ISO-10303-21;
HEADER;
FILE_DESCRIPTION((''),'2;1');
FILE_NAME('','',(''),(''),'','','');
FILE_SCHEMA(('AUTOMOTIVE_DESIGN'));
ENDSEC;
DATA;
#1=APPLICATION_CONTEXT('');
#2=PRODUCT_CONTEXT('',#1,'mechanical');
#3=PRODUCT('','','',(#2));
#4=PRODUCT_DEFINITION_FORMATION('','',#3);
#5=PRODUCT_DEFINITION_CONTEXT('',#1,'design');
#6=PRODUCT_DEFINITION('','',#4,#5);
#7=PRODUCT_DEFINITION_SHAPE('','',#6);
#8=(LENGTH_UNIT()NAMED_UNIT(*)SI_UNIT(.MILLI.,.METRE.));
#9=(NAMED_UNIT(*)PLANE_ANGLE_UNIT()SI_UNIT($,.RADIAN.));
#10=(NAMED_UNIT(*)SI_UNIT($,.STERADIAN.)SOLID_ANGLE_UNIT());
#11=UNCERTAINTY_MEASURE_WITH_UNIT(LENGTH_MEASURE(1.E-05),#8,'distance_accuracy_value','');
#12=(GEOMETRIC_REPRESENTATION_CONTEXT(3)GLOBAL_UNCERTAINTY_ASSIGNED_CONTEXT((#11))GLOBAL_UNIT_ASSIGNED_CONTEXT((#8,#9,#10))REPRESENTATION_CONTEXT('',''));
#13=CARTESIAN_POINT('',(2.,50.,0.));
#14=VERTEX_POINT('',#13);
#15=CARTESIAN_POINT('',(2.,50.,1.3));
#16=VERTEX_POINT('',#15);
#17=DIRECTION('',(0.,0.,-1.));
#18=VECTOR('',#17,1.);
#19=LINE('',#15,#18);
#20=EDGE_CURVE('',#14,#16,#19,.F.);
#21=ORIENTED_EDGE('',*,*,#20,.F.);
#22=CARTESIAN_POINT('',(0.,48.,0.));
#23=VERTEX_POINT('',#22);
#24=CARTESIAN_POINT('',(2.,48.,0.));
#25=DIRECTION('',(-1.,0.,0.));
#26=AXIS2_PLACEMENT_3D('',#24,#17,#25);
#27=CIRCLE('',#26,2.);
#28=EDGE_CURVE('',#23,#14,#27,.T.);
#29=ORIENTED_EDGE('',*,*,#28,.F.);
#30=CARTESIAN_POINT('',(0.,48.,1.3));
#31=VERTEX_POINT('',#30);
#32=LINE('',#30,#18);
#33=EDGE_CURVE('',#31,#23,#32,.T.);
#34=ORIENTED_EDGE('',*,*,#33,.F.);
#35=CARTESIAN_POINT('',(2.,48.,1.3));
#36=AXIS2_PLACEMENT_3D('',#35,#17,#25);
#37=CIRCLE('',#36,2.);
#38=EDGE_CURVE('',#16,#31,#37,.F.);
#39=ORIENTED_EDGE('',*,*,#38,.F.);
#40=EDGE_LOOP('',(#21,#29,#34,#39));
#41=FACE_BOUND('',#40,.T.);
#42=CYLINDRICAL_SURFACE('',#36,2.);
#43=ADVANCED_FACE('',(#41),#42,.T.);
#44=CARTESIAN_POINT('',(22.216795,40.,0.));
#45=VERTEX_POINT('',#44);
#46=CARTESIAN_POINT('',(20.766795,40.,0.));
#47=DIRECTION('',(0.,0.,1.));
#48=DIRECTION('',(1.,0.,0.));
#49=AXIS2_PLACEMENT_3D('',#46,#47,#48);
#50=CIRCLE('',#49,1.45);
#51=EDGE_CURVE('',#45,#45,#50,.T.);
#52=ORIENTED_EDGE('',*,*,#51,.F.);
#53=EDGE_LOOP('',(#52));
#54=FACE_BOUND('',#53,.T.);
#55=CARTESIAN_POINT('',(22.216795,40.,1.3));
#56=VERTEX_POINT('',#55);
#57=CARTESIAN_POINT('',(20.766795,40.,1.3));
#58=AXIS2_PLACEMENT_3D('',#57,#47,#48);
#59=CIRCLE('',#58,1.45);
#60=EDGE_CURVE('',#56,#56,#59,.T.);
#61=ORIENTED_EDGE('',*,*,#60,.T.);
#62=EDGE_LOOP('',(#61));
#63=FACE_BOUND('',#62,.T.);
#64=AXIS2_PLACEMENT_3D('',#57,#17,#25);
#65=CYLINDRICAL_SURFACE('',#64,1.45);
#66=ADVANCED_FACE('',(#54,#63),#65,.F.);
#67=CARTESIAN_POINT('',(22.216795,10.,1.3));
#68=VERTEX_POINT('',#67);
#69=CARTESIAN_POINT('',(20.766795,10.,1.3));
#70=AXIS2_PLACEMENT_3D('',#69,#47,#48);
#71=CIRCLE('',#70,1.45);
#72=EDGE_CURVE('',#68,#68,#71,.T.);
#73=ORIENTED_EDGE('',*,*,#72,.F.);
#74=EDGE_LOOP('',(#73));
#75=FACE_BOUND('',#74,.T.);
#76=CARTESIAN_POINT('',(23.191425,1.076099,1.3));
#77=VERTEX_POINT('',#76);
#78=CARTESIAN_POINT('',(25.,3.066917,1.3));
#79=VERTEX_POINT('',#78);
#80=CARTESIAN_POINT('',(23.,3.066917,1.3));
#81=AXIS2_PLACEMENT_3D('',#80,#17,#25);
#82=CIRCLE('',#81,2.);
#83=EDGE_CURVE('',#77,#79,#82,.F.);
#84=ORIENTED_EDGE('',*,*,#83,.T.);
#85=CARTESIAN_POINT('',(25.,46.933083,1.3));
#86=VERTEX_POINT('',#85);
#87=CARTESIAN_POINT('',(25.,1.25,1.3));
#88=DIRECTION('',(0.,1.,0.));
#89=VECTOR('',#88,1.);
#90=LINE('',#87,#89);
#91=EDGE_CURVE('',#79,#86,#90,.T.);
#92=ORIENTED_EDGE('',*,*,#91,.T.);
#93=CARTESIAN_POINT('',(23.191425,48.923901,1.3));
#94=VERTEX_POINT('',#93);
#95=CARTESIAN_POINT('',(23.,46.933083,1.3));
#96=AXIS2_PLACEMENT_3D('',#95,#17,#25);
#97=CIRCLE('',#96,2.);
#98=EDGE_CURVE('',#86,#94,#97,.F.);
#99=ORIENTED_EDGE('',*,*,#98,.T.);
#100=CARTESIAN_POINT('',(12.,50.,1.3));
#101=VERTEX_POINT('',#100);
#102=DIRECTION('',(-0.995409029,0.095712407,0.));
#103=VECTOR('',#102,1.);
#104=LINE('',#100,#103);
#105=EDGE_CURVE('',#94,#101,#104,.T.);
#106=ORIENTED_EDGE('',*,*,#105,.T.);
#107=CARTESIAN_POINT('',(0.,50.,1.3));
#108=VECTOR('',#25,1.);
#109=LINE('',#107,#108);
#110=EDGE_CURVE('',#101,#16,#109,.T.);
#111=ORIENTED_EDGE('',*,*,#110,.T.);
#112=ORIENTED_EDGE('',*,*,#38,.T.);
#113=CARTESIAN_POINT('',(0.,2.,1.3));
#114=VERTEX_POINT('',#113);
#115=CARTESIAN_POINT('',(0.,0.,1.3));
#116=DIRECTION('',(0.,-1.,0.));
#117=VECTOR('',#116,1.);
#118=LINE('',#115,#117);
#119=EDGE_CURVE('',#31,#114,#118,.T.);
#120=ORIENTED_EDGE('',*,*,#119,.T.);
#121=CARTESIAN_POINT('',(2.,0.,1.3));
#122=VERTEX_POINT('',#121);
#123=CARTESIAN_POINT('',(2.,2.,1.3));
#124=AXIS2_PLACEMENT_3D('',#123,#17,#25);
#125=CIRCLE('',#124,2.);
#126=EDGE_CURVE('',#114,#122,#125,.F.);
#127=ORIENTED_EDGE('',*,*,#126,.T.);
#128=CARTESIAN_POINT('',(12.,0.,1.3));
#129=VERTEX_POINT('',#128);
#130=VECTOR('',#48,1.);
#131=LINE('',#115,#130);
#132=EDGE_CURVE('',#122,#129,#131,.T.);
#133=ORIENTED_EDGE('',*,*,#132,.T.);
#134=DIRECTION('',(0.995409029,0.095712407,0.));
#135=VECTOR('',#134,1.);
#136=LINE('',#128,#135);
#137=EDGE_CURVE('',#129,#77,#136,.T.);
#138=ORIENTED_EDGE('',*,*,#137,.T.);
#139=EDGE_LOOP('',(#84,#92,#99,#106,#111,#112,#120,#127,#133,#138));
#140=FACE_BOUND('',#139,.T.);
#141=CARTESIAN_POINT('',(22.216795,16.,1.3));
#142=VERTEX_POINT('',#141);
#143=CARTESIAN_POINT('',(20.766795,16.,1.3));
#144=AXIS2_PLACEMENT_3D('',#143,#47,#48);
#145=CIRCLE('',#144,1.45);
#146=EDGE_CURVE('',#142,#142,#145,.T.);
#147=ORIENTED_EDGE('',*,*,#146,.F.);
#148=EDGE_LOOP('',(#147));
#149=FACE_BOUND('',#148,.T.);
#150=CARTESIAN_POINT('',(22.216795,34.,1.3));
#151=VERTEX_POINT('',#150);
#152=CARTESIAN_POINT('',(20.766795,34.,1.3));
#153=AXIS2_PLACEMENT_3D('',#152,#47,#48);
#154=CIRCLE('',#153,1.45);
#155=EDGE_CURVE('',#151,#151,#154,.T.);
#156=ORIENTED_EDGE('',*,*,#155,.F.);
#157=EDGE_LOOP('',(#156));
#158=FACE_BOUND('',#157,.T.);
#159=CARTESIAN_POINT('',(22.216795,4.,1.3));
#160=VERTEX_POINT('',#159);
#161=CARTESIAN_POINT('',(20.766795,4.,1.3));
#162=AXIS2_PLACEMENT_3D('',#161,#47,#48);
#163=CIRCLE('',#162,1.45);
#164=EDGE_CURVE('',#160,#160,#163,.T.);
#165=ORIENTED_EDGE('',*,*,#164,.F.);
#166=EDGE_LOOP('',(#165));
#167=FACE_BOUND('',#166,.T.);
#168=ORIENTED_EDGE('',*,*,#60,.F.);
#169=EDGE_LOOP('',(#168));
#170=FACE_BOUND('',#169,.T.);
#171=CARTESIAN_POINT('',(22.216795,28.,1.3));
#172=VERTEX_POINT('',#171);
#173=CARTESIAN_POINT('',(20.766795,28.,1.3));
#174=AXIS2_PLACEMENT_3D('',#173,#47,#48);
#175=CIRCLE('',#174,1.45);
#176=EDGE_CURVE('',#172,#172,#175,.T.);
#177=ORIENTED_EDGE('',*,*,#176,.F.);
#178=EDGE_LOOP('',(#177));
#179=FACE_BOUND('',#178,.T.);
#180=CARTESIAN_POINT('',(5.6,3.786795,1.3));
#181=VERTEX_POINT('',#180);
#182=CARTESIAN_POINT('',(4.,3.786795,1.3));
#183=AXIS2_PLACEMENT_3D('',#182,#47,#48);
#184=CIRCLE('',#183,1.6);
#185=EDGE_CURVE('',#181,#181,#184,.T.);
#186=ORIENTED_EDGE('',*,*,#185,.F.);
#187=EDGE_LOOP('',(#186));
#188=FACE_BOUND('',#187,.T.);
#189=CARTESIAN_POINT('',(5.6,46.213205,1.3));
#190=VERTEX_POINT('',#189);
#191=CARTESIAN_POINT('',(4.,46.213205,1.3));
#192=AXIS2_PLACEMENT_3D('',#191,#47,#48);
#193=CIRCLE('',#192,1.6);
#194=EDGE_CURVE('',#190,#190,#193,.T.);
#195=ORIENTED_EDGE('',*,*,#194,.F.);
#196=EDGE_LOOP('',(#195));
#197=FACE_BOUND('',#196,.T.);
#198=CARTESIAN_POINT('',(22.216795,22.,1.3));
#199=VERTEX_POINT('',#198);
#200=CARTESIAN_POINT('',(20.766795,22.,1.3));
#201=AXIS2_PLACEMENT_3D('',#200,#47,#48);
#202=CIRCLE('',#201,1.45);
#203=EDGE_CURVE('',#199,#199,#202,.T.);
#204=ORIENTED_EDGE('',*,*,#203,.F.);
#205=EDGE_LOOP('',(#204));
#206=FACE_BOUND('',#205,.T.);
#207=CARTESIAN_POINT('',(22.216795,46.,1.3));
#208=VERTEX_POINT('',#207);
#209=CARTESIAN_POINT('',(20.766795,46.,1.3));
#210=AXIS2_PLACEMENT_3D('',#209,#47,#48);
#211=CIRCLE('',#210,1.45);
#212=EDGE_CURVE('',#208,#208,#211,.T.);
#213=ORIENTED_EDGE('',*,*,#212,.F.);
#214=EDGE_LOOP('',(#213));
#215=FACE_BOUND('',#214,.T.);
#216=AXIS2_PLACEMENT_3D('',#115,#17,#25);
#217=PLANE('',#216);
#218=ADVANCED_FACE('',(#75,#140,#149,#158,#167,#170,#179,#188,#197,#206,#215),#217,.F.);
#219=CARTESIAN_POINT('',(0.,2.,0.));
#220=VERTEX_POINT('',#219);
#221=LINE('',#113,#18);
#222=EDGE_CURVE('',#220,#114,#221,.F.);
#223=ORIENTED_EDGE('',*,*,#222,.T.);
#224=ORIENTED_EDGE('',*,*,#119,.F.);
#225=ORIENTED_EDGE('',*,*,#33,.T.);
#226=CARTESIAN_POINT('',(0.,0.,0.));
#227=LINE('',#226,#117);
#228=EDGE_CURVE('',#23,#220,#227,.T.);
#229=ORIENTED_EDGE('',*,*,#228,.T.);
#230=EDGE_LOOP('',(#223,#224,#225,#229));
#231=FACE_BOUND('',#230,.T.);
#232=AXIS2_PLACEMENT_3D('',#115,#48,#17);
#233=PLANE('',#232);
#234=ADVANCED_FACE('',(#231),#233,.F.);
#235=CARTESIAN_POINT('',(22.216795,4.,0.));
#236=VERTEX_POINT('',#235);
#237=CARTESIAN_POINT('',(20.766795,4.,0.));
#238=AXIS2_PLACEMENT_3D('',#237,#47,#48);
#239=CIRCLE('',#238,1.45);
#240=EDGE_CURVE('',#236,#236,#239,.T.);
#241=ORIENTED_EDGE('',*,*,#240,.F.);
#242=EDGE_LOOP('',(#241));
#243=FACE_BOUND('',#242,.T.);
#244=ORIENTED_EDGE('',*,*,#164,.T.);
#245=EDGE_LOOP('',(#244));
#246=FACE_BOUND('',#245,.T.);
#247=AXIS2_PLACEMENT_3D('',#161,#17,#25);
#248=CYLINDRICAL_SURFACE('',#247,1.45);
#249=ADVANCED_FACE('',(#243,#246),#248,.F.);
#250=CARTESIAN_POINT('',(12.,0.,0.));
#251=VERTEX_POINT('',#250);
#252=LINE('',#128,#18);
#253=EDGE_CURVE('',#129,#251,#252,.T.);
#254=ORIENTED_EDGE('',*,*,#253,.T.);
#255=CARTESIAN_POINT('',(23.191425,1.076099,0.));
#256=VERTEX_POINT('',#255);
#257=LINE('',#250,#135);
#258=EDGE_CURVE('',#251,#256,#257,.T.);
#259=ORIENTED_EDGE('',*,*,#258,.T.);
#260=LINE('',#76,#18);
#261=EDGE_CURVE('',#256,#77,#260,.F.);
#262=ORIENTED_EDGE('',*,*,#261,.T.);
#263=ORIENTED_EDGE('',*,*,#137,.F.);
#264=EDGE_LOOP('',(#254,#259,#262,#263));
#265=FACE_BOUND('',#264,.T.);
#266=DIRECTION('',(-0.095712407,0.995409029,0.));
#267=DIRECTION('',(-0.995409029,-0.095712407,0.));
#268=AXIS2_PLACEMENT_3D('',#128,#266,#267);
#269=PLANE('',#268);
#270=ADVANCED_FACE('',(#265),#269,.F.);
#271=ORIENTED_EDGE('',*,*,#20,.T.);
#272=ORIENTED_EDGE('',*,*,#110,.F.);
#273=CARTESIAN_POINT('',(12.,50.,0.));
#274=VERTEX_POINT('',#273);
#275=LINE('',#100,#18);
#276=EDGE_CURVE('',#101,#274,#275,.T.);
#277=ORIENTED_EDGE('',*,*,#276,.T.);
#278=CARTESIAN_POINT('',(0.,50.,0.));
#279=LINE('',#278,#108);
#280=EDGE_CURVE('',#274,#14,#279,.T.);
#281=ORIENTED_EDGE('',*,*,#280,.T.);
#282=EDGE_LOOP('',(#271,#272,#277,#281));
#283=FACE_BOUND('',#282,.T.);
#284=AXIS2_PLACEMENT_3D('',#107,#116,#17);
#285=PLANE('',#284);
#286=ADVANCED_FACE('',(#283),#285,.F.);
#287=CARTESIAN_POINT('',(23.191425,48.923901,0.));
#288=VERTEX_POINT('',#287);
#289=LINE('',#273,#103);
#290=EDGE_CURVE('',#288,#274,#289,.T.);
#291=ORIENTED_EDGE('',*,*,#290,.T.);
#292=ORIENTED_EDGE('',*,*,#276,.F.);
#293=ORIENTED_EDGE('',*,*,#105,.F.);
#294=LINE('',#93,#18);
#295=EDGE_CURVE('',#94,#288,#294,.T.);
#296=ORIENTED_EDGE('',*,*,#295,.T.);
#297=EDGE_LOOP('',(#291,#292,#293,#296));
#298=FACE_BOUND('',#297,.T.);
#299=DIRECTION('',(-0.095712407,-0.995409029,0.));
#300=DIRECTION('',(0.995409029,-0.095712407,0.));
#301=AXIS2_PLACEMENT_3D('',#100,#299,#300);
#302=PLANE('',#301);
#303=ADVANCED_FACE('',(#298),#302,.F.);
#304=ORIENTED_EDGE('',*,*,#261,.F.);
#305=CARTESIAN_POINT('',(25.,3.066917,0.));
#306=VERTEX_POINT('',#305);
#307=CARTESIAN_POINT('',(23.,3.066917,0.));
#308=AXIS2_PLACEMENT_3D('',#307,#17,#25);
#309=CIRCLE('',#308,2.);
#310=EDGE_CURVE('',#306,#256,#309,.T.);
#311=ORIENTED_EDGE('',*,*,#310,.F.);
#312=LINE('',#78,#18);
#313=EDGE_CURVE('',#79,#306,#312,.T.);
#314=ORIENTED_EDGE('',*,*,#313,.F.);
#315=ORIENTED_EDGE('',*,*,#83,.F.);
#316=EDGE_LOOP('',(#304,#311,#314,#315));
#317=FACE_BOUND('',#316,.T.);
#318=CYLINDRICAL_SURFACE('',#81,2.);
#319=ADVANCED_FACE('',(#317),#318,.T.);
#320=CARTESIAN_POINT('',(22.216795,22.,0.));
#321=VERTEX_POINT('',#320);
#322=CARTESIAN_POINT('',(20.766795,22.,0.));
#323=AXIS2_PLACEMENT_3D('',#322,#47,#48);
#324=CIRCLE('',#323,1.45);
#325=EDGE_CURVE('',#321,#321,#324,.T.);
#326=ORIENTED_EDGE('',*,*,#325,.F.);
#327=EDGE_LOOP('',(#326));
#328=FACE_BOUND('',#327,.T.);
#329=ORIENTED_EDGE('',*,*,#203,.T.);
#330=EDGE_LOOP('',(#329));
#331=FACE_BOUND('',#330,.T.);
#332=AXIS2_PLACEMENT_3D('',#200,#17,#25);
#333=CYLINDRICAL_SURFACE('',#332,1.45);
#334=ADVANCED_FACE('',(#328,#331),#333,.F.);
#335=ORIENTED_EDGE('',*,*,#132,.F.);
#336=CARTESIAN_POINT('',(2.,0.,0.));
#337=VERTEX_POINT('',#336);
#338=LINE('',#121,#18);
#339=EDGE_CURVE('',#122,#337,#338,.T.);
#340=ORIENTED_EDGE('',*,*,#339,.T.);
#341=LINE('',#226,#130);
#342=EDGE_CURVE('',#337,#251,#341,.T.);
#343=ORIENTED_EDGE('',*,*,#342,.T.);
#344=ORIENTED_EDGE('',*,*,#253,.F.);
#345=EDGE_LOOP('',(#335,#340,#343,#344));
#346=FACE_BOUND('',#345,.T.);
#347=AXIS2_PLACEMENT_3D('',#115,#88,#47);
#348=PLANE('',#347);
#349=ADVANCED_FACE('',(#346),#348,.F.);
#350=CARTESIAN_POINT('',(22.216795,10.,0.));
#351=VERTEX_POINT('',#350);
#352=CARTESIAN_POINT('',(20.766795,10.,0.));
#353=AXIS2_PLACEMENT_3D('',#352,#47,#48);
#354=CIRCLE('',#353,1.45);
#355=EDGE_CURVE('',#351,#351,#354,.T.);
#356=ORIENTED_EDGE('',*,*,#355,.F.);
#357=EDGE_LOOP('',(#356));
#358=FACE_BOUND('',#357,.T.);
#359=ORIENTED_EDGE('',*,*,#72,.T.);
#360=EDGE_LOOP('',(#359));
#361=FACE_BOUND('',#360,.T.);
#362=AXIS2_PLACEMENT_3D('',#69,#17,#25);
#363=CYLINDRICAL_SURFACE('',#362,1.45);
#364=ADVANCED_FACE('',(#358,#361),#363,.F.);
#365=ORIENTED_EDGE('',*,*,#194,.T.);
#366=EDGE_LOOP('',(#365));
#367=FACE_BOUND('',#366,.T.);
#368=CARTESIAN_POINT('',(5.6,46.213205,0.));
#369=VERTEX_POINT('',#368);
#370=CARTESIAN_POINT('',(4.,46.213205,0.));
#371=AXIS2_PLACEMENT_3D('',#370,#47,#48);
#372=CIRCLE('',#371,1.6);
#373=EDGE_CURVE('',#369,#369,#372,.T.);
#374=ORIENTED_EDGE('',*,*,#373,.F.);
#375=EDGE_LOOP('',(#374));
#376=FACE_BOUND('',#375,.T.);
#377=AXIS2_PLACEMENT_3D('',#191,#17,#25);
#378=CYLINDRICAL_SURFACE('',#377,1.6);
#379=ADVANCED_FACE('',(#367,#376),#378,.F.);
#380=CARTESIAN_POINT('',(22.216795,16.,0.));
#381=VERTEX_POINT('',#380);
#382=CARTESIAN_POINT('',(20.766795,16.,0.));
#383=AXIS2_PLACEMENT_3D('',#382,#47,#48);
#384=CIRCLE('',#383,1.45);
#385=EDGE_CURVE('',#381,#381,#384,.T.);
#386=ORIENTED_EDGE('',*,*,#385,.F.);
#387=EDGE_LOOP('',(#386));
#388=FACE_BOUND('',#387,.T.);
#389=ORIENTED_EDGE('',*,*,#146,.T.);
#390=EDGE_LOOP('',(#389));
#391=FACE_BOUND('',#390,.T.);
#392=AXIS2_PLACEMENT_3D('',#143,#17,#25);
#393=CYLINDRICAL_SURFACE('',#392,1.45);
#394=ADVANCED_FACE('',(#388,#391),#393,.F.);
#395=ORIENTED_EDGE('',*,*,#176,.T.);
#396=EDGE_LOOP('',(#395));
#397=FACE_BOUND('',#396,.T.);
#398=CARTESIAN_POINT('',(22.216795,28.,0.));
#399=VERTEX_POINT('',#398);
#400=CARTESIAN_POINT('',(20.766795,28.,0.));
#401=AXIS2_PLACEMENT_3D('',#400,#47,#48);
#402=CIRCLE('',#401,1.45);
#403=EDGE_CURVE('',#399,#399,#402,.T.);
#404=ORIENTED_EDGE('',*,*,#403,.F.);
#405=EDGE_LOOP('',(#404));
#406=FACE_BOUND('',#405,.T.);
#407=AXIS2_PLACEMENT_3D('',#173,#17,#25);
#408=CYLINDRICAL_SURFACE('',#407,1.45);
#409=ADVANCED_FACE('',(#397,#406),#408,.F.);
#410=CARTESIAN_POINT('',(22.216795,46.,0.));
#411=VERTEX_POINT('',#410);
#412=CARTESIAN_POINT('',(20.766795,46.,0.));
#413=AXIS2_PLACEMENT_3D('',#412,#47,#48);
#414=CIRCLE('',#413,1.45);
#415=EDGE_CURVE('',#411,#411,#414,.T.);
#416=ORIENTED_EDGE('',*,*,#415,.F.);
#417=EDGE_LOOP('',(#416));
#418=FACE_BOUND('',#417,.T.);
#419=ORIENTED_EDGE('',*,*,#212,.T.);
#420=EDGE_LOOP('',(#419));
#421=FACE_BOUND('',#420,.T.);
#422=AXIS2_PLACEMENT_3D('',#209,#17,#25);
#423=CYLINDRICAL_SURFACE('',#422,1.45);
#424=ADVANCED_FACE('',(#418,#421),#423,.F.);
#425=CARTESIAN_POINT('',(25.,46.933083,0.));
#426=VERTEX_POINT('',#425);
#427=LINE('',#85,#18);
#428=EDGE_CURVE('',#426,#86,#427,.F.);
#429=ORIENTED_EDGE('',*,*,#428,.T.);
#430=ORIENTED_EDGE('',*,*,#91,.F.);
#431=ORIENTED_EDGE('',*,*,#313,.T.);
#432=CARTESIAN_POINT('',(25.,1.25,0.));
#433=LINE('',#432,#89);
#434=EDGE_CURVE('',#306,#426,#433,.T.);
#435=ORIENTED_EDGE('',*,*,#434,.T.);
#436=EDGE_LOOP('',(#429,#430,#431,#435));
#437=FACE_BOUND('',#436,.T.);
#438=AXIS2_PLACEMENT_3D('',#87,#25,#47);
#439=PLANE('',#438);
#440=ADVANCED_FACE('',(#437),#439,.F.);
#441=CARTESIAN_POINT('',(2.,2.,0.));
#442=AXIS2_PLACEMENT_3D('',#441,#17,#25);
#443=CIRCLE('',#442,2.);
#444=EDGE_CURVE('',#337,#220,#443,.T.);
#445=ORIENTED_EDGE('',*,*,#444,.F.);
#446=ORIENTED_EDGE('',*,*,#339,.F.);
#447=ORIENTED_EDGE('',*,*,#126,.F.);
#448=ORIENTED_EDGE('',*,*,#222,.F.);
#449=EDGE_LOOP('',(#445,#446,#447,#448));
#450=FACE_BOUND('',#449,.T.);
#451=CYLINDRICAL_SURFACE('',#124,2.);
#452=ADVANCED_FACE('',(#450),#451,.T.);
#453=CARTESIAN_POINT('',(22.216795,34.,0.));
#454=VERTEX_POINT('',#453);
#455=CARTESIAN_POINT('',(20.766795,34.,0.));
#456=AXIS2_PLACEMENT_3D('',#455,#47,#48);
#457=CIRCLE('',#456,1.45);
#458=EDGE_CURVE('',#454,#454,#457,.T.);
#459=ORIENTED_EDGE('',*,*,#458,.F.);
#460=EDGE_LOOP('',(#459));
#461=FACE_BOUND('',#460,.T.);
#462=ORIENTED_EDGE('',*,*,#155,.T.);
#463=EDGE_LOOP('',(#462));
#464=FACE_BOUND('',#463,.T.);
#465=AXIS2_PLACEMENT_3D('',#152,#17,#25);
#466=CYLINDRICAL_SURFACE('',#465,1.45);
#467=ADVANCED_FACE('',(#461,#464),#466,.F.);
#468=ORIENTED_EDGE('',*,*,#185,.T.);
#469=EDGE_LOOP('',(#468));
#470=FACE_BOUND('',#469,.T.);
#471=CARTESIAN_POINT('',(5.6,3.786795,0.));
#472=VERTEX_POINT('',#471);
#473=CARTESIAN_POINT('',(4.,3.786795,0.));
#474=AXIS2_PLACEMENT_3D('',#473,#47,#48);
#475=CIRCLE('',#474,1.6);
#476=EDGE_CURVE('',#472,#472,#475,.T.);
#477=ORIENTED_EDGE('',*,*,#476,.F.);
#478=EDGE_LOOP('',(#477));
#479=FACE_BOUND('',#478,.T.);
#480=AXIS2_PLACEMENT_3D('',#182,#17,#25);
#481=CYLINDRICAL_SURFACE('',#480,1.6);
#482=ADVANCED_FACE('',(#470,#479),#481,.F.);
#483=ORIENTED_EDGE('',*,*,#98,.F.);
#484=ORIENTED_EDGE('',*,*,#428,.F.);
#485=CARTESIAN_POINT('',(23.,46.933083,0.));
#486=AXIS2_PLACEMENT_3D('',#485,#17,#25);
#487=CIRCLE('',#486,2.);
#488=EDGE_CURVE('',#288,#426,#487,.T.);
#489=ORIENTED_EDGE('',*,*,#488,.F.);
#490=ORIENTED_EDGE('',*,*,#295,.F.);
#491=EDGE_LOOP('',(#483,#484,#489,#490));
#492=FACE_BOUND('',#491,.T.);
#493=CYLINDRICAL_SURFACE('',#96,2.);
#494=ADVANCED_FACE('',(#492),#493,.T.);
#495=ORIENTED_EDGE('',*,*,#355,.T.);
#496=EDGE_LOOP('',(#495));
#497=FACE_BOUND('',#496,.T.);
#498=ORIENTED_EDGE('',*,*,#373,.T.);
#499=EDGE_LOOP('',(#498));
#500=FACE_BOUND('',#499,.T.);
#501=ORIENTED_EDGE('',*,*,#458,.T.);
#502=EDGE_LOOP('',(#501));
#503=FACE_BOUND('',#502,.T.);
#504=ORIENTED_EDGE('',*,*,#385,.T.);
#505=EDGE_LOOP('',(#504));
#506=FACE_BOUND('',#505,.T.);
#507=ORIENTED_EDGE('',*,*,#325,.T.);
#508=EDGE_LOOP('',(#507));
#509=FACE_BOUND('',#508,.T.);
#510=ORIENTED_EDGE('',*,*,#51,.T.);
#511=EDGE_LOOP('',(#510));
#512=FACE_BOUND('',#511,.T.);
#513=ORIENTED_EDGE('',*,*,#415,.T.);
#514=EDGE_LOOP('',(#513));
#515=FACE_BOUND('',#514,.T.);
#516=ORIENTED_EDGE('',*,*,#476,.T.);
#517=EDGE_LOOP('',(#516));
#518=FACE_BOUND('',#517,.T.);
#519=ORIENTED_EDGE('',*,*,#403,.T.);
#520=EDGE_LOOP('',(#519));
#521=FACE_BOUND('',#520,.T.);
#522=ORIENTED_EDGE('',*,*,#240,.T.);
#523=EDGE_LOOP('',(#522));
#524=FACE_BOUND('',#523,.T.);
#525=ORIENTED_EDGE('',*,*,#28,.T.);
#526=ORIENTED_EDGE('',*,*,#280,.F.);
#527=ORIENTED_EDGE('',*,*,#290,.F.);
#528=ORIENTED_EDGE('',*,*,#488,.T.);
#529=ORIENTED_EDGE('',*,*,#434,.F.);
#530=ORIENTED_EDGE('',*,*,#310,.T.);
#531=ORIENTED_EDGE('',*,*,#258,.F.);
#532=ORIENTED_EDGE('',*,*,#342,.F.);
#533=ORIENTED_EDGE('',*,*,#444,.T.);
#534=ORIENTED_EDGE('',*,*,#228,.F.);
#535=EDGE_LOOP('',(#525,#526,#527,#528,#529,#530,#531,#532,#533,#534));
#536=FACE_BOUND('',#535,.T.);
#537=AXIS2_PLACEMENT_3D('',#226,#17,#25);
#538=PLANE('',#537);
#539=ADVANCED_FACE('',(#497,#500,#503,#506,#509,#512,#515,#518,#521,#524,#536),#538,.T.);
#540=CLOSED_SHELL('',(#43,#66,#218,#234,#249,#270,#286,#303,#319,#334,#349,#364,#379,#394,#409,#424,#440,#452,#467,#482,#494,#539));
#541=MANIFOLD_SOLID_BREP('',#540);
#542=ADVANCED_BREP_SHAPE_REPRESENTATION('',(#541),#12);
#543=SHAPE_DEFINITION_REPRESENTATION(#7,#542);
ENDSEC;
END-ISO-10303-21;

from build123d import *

# Parameters (mm, degrees)
SKETCH1_R           = 1.6
SKETCH1_R_2         = 1.45
BOSS_EXTRUDE1_DEPTH = 1.3
FILLET1_R           = 2


with BuildPart() as part:
    # Sketch1 → Boss-Extrude1 (new body)
    with BuildSketch(Plane.XY):
        Polygon((12, 50), (25, 48.75), (25, 1.25), (12, 0), (0, 0), (0, 50), align=None)
        with Locations((4, 46.213205)):
            Circle(SKETCH1_R, mode=Mode.SUBTRACT)
        with Locations((4, 3.786795)):
            Circle(SKETCH1_R, mode=Mode.SUBTRACT)
        with Locations((20.766795, 46)):
            Circle(SKETCH1_R_2, mode=Mode.SUBTRACT)
        with Locations((20.766795, 4)):
            Circle(SKETCH1_R_2, mode=Mode.SUBTRACT)
        with Locations((20.766795, 40)):
            Circle(SKETCH1_R_2, mode=Mode.SUBTRACT)
        with Locations((20.766795, 34)):
            Circle(SKETCH1_R_2, mode=Mode.SUBTRACT)
        with Locations((20.766795, 28)):
            Circle(SKETCH1_R_2, mode=Mode.SUBTRACT)
        with Locations((20.766795, 22)):
            Circle(SKETCH1_R_2, mode=Mode.SUBTRACT)
        with Locations((20.766795, 16)):
            Circle(SKETCH1_R_2, mode=Mode.SUBTRACT)
        with Locations((20.766795, 10)):
            Circle(SKETCH1_R_2, mode=Mode.SUBTRACT)
    extrude(amount=BOSS_EXTRUDE1_DEPTH)

    # Fillet1
    fillet1_edges = [part.edges().sort_by_distance(p)[0] for p in [
        (0, 50, 0.65),
        (25, 48.75, 0.65),
        (25, 1.25, 0.65),
        (0, 0, 0.65),
    ]]
    fillet(fillet1_edges, radius=FILLET1_R)


solid = part.part
